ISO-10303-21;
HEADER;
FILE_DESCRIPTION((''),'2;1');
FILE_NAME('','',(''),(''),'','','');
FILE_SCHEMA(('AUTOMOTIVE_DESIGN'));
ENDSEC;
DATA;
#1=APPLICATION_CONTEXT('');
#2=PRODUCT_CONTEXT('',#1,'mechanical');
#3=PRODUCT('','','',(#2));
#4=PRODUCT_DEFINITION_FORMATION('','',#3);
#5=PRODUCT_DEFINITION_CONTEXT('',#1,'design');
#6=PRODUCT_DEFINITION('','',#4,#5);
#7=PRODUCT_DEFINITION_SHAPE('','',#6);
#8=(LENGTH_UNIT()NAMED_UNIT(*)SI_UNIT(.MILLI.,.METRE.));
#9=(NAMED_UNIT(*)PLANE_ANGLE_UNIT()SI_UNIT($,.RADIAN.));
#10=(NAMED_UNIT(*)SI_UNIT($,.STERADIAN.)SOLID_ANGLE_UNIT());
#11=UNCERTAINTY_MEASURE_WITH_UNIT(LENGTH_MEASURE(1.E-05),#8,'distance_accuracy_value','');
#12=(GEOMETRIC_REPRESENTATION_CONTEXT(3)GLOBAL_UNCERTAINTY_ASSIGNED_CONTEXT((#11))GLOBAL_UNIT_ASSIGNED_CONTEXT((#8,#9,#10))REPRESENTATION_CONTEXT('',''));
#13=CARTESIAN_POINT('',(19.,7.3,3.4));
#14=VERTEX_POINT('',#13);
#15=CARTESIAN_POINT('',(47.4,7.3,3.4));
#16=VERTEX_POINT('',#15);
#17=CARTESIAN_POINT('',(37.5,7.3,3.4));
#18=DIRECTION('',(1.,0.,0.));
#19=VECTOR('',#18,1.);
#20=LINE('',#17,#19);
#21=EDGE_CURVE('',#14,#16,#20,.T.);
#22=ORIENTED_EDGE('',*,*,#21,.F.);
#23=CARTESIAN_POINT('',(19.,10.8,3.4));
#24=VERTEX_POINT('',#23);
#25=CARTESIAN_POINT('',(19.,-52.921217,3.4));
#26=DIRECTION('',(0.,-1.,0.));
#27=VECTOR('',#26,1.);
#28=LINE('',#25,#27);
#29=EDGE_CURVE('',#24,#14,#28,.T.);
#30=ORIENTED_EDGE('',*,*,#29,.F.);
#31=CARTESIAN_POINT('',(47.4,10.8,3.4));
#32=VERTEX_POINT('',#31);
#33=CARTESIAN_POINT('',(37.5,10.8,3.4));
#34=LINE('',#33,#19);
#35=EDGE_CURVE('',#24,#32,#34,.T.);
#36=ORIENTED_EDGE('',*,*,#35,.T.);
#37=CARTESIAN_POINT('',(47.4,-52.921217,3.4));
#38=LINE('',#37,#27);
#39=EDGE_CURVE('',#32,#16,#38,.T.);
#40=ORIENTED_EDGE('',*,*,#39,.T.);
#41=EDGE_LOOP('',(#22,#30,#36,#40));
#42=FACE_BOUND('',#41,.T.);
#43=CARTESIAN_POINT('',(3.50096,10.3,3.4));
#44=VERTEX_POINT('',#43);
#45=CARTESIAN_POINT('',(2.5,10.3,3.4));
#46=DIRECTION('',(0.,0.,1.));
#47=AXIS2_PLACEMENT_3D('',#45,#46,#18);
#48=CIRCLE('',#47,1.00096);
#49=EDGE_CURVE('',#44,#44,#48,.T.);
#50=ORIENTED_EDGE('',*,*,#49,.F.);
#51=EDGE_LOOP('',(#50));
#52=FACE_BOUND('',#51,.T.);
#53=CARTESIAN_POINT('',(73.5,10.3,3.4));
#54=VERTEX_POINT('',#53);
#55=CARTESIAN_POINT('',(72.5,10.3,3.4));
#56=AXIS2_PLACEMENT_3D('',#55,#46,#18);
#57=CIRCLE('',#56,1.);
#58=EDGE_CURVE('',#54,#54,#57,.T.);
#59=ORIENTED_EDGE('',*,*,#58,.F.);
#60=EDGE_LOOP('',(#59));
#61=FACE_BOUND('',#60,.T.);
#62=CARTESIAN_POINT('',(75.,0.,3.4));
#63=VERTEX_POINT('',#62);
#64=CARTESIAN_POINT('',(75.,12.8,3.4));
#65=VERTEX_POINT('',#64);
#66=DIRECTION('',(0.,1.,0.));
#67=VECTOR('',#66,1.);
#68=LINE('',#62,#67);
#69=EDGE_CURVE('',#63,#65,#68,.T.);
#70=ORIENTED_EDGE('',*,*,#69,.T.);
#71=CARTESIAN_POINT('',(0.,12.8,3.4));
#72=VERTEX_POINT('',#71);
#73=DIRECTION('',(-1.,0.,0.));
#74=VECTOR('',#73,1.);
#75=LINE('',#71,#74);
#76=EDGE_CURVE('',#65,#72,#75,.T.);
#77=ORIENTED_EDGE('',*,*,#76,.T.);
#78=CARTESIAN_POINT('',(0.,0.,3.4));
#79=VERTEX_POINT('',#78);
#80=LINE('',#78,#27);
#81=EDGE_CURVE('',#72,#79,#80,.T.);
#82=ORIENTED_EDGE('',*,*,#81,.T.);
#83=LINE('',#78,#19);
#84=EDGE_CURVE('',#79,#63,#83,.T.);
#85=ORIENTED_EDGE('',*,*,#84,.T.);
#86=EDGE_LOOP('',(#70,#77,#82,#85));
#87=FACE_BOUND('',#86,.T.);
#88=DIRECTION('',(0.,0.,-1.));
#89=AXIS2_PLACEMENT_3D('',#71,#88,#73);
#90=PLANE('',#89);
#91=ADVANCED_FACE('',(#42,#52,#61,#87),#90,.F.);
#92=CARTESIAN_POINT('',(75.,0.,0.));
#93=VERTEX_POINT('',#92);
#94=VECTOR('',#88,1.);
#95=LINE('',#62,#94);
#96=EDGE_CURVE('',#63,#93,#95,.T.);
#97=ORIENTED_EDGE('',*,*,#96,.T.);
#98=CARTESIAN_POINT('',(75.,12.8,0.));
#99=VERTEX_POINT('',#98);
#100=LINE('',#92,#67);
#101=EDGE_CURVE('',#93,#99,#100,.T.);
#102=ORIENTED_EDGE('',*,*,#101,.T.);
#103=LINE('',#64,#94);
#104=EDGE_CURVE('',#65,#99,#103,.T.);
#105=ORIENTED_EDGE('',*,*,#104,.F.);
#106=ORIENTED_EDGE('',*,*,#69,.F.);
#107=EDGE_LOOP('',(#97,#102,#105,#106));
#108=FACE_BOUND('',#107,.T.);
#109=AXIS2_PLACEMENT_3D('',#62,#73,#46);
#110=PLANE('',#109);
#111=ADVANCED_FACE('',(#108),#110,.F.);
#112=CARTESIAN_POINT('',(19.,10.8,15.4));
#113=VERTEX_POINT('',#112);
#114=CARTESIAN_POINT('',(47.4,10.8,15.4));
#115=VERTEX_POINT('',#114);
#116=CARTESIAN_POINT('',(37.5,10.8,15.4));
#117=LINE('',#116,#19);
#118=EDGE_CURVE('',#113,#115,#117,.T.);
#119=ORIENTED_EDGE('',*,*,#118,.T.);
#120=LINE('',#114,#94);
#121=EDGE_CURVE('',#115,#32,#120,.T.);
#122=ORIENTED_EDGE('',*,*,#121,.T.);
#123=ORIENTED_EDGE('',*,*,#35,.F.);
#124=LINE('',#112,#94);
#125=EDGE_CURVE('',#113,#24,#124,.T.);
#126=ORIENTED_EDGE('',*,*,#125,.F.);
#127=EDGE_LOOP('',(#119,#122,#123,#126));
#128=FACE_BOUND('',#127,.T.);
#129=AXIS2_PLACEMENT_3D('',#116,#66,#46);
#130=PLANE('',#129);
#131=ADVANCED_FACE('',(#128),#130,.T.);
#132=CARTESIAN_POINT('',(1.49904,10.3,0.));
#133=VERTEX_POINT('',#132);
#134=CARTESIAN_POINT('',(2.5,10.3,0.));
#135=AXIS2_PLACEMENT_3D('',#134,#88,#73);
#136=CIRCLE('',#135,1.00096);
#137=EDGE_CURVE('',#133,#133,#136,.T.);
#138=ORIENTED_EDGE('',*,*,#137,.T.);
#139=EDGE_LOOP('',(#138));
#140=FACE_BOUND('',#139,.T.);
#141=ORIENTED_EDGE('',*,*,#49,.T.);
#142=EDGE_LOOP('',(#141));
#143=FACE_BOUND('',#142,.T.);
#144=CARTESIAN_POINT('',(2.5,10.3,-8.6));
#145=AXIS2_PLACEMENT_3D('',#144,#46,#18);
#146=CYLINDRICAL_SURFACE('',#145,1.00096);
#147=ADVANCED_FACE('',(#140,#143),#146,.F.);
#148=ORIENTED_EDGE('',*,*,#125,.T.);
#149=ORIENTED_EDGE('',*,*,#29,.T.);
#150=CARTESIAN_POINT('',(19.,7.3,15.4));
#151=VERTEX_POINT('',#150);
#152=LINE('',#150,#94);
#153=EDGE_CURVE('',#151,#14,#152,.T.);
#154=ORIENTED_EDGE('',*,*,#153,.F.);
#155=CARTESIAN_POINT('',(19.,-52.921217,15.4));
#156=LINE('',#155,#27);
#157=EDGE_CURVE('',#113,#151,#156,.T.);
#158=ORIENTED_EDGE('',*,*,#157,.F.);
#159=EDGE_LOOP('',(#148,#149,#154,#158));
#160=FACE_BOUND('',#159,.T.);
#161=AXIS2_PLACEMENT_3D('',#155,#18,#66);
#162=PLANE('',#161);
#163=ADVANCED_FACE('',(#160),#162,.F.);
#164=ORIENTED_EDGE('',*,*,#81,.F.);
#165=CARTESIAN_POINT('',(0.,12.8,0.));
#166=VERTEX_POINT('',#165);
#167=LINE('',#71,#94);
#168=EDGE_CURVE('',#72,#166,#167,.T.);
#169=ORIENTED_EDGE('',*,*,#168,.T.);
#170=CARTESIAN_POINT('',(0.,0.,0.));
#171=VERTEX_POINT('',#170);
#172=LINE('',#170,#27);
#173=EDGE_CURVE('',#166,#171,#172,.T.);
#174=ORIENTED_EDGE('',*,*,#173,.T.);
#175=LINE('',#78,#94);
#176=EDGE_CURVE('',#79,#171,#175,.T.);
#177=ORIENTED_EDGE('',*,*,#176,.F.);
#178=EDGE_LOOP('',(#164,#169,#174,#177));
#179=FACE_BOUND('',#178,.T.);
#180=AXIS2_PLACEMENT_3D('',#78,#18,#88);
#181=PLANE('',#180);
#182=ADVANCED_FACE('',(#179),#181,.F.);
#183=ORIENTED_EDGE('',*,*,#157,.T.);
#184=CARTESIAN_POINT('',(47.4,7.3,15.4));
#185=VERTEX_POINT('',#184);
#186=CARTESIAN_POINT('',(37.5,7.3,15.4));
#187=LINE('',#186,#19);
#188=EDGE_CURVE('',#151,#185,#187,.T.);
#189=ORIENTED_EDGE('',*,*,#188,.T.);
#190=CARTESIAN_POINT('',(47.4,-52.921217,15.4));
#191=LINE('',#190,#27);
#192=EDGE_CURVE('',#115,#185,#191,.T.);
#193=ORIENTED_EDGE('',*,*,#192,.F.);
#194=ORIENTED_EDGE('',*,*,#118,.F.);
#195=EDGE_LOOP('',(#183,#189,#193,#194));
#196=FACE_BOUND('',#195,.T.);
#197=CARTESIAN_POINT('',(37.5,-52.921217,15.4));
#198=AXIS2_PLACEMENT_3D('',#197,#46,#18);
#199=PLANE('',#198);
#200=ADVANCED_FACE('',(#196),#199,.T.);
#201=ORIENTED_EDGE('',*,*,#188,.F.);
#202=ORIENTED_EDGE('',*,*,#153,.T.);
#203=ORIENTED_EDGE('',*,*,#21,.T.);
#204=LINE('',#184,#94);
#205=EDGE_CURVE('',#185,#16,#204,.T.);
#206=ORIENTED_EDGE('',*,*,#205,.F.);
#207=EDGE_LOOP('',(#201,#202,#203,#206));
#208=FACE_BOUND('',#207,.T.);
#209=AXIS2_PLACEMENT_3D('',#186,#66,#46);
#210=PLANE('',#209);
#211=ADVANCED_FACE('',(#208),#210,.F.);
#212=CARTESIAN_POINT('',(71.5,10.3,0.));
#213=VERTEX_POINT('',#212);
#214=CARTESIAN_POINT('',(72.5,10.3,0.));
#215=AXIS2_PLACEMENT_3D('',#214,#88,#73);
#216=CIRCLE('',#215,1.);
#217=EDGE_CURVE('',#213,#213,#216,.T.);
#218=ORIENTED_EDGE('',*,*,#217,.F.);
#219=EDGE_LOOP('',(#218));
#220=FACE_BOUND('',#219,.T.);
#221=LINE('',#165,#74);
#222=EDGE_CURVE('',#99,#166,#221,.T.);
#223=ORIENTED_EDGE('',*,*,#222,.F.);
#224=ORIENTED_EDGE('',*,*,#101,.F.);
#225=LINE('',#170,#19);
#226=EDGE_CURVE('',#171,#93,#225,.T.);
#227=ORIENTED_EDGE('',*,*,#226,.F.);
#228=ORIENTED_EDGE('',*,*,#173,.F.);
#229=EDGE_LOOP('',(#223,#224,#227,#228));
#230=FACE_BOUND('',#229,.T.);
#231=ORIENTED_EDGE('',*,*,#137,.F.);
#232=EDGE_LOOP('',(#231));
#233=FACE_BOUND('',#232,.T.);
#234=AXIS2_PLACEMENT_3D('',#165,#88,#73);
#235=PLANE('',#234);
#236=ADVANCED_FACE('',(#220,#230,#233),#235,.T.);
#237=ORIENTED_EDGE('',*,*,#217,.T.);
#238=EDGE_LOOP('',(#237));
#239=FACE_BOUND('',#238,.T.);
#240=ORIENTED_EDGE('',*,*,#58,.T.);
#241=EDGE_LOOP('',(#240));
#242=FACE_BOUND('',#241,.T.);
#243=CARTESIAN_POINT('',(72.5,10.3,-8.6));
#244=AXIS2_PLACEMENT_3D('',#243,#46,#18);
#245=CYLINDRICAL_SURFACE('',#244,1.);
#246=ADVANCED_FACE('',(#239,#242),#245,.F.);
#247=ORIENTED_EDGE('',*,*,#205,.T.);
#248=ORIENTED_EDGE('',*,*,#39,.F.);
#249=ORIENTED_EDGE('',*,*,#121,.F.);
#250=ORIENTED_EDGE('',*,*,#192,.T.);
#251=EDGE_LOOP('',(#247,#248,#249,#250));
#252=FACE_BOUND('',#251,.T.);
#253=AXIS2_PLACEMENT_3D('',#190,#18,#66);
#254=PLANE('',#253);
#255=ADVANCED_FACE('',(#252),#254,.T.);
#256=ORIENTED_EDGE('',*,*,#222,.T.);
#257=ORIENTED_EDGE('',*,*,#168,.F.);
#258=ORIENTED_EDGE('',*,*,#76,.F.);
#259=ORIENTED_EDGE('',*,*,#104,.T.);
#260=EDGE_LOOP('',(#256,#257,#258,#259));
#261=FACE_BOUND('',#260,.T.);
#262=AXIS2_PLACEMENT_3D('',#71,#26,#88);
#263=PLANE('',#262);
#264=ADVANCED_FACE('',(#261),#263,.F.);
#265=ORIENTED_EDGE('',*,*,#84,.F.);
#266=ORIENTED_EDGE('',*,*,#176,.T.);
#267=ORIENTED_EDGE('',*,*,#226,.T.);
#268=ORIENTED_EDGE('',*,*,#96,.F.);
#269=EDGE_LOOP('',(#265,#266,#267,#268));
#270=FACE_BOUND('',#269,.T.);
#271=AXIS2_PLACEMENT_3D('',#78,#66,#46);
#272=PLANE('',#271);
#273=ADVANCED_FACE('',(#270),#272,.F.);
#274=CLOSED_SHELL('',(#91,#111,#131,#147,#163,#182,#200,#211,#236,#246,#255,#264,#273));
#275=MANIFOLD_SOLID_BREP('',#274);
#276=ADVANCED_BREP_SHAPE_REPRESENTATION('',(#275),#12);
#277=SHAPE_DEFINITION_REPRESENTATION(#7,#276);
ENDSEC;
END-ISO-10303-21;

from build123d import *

# Parameters (mm, degrees)
SKETCH1_W           = 75
SKETCH1_H           = 12.8
BOSS_EXTRUDE1_DEPTH = 3.4
SKETCH2_W           = 28.4
SKETCH2_H           = 3.5
BOSS_EXTRUDE2_DEPTH = 12
SKETCH2_3_R         = 1.000959723
SKETCH2_3_R_2       = 1
CUT_EXTRUDE1_DEPTH  = 12


with BuildPart() as part:
    # Sketch1 → Boss-Extrude1 (new body)
    with BuildSketch(Plane.XY):
        with Locations((37.5, 6.4)):
            Rectangle(SKETCH1_W, SKETCH1_H)
    extrude(amount=BOSS_EXTRUDE1_DEPTH)

    # Sketch2 → Boss-Extrude2 (add)
    with BuildSketch(Plane.XY.offset(3.4)):
        with Locations((33.2, 9.05)):
            Rectangle(SKETCH2_W, SKETCH2_H)
    extrude(amount=BOSS_EXTRUDE2_DEPTH)

    # Sketch2<3> → Cut-Extrude1 (cut)
    with BuildSketch(Plane.XY.offset(3.4)):
        with Locations((2.5, 10.3)):
            Circle(SKETCH2_3_R)
        with Locations((72.5, 10.3)):
            Circle(SKETCH2_3_R_2)
    extrude(amount=-CUT_EXTRUDE1_DEPTH, mode=Mode.SUBTRACT)


solid = part.part
